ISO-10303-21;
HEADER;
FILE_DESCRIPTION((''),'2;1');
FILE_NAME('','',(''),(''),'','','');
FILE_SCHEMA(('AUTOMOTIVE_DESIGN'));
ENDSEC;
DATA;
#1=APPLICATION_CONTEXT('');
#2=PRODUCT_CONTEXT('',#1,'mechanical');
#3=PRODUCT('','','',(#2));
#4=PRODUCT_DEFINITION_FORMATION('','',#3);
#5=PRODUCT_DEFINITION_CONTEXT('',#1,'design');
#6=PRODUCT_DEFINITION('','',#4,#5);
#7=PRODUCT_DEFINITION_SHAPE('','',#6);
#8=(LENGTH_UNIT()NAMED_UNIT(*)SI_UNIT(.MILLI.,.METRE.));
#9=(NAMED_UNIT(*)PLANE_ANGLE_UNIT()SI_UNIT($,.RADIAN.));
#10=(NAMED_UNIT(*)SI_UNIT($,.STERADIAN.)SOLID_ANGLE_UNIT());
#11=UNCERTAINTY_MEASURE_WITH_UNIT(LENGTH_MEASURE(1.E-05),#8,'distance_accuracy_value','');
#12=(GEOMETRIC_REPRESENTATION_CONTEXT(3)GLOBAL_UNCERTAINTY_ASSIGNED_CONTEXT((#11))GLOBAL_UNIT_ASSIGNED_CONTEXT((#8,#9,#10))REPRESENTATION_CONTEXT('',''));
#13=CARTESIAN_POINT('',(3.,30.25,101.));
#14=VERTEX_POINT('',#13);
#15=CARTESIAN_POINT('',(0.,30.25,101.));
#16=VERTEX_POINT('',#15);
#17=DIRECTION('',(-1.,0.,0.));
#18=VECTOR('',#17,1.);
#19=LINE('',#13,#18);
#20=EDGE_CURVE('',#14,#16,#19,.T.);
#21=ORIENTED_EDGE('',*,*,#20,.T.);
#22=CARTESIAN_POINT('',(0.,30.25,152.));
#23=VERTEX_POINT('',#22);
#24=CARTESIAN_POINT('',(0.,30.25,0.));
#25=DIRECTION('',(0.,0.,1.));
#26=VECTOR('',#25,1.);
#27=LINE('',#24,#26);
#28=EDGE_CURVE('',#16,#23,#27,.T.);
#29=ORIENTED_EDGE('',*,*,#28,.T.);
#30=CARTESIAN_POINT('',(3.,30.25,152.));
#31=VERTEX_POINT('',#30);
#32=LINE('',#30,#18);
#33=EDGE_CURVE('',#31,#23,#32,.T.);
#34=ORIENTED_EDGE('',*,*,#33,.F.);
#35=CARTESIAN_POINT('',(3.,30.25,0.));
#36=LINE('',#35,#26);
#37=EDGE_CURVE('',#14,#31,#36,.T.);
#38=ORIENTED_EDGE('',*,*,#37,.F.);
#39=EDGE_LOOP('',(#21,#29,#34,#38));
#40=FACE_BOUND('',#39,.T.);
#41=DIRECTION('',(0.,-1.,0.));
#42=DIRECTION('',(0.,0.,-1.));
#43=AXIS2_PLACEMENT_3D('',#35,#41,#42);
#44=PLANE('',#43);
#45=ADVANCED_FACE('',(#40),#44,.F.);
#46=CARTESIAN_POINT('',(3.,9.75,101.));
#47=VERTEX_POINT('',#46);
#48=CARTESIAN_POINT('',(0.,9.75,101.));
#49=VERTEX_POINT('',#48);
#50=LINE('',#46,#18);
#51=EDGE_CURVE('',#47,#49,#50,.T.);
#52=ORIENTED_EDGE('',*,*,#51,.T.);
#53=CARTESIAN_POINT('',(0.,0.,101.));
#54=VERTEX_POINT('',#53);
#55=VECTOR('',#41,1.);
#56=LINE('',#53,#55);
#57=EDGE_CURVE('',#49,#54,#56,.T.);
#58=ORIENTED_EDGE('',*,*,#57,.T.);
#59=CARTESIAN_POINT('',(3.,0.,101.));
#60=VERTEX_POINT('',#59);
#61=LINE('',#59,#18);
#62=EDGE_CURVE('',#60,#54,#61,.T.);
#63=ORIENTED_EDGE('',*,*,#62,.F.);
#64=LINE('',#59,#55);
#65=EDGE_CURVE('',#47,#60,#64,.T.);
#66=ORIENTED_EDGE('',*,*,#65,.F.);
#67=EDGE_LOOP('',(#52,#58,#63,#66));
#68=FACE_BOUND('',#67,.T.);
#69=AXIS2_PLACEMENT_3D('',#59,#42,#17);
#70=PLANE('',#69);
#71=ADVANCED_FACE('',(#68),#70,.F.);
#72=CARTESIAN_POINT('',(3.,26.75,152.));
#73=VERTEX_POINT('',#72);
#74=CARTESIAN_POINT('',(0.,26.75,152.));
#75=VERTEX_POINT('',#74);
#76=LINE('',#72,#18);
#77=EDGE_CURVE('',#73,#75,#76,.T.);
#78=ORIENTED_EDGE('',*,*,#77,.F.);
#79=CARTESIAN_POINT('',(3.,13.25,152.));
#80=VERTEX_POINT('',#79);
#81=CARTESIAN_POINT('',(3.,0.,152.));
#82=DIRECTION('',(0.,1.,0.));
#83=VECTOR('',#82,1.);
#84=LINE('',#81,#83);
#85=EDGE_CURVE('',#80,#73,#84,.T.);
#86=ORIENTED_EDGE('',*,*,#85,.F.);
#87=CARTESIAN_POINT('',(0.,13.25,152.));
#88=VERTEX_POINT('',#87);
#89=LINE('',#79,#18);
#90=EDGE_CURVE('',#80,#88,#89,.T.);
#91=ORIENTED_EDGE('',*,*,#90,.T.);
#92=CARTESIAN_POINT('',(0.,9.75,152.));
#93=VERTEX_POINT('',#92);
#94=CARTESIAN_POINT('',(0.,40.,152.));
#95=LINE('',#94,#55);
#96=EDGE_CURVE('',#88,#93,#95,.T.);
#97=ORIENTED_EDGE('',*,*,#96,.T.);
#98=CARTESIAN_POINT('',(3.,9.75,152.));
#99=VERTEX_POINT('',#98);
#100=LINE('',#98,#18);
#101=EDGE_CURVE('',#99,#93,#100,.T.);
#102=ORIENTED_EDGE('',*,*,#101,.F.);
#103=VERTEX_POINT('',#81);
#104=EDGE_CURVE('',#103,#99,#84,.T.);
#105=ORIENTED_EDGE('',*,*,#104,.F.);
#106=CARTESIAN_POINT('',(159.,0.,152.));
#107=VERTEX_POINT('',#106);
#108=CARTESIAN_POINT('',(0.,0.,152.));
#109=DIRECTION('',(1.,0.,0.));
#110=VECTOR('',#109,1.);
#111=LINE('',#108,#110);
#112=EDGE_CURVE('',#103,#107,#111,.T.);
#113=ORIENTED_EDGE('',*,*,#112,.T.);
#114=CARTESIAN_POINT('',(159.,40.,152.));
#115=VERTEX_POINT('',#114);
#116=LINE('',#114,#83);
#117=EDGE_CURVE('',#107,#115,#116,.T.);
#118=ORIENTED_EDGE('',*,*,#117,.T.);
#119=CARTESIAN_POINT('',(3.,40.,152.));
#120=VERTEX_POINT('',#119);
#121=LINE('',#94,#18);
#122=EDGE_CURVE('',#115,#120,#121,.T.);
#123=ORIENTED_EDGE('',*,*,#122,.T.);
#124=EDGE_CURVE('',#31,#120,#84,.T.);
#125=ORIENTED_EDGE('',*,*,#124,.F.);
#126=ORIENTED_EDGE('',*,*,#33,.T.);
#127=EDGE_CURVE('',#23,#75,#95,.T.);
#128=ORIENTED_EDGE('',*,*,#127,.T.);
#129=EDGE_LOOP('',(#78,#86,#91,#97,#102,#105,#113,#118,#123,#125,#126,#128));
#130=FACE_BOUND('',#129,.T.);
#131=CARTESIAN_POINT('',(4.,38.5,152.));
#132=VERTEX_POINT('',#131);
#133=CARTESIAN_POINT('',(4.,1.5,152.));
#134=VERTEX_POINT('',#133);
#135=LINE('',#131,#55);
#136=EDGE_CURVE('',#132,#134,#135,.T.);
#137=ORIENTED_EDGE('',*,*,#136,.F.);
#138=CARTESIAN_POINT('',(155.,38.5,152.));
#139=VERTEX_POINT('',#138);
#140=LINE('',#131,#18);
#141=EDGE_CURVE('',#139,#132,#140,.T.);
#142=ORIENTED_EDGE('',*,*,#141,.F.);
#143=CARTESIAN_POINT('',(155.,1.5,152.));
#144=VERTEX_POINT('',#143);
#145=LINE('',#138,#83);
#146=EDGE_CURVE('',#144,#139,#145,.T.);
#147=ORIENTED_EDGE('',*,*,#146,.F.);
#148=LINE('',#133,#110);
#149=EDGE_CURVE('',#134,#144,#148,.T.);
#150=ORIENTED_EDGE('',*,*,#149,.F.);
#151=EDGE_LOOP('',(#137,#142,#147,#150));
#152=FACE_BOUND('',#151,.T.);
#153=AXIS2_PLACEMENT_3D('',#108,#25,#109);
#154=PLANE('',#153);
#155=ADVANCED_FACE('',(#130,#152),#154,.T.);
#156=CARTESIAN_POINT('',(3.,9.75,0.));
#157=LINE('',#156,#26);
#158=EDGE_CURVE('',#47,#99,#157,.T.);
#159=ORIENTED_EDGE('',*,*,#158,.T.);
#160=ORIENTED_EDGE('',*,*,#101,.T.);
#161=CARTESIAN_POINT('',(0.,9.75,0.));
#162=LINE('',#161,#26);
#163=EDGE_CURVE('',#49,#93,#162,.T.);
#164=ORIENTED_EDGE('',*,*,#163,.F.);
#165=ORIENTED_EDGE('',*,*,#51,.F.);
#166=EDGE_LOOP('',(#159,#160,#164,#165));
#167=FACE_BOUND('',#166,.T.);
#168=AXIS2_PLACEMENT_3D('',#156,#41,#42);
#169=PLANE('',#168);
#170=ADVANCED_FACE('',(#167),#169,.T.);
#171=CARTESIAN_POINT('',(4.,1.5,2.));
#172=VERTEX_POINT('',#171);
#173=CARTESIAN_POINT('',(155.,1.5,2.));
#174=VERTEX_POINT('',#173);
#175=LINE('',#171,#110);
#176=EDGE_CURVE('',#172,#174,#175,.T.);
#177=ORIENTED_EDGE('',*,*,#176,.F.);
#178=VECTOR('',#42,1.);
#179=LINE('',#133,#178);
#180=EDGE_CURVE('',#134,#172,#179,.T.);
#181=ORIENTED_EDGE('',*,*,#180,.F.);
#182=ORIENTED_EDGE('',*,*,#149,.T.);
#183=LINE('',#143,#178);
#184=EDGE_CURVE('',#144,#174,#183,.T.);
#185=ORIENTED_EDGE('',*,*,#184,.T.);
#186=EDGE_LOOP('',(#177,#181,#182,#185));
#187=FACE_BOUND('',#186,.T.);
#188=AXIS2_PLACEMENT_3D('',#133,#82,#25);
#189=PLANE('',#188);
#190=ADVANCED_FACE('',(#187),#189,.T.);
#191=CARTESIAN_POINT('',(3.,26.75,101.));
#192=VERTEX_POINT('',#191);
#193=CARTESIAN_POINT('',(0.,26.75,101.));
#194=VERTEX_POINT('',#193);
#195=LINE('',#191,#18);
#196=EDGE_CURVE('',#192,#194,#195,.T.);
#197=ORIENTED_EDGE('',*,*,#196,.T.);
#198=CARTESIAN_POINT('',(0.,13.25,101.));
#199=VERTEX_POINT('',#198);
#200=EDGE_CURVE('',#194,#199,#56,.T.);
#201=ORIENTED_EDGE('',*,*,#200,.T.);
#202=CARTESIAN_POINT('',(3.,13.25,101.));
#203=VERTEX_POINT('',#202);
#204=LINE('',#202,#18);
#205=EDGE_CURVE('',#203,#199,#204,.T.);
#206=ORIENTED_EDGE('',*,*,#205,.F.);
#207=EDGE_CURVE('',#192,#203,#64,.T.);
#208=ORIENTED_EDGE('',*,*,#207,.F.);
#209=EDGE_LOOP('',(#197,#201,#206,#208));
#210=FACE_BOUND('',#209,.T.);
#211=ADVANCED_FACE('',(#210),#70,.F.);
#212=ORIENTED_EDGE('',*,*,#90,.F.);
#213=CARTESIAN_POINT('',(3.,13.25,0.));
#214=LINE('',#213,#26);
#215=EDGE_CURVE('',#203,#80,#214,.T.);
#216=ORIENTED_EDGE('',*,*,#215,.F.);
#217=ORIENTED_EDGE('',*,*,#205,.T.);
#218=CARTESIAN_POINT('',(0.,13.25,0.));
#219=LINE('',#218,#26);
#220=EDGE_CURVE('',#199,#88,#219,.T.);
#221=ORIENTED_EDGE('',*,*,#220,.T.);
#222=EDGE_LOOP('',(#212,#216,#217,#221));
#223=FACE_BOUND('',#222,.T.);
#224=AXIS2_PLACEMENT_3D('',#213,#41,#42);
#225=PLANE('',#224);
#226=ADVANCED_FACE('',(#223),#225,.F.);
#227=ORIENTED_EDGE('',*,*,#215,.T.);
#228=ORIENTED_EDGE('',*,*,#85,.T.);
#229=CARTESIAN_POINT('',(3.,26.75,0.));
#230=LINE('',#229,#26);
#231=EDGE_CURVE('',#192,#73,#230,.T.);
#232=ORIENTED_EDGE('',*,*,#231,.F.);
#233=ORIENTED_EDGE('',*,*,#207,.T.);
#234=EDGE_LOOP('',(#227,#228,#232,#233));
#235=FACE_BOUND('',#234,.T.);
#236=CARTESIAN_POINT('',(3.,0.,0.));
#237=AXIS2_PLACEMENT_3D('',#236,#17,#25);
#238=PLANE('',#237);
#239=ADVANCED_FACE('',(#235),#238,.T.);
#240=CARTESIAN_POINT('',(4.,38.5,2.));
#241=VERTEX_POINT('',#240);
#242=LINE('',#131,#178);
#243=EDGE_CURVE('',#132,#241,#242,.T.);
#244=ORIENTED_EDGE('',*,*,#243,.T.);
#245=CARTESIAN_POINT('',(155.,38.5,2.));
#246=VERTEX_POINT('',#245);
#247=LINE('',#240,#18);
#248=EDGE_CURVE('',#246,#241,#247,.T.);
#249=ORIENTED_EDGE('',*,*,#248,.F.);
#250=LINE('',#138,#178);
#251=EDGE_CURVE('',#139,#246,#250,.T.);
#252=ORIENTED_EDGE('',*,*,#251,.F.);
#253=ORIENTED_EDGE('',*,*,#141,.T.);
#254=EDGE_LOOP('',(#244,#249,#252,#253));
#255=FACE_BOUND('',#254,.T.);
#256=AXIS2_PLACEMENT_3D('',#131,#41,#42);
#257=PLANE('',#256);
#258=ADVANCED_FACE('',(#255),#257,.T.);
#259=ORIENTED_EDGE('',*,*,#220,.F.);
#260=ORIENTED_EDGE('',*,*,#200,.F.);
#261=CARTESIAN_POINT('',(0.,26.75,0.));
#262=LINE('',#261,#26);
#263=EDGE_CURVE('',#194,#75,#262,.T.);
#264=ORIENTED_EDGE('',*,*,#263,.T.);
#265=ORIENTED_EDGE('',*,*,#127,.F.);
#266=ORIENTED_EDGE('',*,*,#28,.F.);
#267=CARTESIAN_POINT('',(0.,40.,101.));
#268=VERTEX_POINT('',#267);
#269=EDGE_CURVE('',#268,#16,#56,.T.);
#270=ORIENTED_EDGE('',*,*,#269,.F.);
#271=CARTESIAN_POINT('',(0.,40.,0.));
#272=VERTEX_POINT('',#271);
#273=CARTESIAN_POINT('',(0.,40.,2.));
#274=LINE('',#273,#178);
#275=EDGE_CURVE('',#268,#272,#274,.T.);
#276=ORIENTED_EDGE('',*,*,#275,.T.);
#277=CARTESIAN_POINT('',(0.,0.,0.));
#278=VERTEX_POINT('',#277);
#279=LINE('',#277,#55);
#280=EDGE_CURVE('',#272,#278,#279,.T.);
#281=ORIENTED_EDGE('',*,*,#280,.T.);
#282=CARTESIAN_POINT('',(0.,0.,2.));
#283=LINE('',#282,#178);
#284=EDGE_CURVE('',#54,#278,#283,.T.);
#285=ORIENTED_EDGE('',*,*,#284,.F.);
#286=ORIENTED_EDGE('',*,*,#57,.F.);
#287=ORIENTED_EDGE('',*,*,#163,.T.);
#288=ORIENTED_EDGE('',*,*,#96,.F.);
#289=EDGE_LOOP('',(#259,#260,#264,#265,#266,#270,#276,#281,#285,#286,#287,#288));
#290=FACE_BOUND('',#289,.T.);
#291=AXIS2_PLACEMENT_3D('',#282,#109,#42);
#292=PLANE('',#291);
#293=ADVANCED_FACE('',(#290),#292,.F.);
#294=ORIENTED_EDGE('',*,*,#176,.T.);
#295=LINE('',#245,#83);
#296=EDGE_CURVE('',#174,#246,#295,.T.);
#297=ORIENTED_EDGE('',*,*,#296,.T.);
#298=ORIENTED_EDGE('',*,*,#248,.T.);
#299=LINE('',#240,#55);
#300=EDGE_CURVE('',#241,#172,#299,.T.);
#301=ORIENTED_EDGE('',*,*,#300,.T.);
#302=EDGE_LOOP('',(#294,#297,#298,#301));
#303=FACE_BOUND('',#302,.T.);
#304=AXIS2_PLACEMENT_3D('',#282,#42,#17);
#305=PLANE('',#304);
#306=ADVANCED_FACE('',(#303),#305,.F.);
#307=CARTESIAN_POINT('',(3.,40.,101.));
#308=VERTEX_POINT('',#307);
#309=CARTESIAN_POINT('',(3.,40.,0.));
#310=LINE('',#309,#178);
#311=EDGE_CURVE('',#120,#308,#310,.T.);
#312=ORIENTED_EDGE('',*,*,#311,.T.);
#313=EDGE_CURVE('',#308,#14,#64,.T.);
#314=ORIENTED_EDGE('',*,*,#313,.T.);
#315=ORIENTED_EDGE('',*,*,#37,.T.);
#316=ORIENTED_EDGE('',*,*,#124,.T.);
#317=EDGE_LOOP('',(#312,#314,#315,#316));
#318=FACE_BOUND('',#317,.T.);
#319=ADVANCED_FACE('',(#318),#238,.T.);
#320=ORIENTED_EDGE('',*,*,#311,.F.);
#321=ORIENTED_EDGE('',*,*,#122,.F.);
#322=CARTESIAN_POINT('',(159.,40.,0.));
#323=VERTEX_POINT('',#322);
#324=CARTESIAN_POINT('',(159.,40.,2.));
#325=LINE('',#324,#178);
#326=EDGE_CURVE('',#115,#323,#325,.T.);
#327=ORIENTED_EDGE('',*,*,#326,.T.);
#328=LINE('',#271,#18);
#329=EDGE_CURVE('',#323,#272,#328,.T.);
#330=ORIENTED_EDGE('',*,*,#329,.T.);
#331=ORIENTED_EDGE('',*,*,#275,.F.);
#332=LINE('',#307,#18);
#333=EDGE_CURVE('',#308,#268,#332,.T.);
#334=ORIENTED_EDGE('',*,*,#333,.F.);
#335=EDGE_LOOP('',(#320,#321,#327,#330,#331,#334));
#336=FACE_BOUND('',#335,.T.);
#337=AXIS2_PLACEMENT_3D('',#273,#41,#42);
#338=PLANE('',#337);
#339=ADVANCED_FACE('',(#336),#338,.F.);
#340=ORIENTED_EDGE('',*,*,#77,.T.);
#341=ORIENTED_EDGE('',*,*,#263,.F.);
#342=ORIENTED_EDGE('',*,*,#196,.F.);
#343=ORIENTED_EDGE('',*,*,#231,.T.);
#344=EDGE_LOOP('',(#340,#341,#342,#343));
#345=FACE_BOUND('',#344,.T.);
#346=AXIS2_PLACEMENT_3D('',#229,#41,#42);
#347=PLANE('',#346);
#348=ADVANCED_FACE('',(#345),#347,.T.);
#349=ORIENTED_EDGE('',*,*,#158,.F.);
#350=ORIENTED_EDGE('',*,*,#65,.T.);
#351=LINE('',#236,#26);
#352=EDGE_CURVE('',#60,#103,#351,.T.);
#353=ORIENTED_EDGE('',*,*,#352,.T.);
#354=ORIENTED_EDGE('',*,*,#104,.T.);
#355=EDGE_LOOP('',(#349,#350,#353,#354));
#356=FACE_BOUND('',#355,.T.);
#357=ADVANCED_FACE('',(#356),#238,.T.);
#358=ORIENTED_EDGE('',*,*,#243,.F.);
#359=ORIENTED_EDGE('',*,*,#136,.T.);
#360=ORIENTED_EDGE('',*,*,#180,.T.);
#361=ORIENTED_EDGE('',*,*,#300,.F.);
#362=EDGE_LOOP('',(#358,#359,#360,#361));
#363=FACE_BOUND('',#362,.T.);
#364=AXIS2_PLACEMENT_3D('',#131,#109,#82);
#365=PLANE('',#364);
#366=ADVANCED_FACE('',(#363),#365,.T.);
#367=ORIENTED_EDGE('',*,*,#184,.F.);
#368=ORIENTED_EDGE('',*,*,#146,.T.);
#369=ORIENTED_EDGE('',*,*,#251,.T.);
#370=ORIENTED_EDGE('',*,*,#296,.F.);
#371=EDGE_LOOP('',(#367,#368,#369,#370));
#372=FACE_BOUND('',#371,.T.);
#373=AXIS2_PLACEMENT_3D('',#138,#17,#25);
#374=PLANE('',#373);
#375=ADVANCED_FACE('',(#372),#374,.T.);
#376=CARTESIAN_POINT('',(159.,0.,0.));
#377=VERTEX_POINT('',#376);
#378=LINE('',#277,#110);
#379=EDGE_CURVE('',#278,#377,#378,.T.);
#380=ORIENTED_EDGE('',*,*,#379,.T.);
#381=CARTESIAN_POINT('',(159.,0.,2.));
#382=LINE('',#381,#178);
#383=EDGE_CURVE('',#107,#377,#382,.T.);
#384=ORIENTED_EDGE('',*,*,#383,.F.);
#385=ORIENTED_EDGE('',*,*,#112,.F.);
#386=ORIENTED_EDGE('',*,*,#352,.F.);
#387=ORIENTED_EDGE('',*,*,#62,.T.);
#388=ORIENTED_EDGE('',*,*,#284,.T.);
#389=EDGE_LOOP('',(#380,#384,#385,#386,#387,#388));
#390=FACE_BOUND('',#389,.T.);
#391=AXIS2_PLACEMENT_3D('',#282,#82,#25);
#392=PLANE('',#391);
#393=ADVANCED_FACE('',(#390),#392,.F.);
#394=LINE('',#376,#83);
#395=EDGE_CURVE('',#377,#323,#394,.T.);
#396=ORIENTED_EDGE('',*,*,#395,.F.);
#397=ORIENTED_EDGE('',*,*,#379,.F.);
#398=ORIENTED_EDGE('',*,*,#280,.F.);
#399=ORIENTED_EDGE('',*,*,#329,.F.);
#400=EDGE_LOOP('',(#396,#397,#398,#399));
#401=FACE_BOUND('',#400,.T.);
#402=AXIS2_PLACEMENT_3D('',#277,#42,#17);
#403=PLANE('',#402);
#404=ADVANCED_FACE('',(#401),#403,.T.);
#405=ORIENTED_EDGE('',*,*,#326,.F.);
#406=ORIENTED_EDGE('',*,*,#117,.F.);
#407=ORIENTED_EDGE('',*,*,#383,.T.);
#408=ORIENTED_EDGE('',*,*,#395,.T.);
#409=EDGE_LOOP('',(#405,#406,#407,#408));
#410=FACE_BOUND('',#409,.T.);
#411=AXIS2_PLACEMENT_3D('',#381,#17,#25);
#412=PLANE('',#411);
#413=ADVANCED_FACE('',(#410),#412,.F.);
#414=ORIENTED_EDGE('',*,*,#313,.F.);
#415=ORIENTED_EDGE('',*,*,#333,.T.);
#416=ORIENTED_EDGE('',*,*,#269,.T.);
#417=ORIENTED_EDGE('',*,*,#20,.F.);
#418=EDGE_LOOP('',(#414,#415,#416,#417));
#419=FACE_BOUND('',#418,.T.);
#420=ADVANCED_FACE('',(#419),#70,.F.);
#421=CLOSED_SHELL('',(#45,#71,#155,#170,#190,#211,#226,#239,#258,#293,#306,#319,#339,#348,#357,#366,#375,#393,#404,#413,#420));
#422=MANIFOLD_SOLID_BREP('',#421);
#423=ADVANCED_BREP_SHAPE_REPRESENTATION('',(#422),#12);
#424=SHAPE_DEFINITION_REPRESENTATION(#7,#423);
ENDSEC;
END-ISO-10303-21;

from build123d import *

# Parameters (mm, degrees)
ESQUISSE1_W             = 159
ESQUISSE1_H             = 40
BOSS_EXTRU_1_DEPTH      = 2
ESQUISSE2_W             = 159
ESQUISSE2_H             = 40
ESQUISSE2_W_2           = 151
ESQUISSE2_H_2           = 37
BOSS_EXTRU_2_DEPTH      = 150
ESQUISSE3_W             = 51
ESQUISSE3_H             = 9.75
ESQUISSE3_H_2           = 13.5
ENL_V_MAT_EXTRU_1_DEPTH = 3


with BuildPart() as part:
    # Esquisse1 → Boss.-Extru.1 (new body)
    with BuildSketch(Plane.XY):
        with Locations((79.5, 20)):
            Rectangle(ESQUISSE1_W, ESQUISSE1_H)
    extrude(amount=BOSS_EXTRU_1_DEPTH)

    # Esquisse2 → Boss.-Extru.2 (add)
    with BuildSketch(Plane.XY.offset(2)):
        with Locations((79.5, 20)):
            Rectangle(ESQUISSE2_W, ESQUISSE2_H)
        with Locations((79.5, 20)):
            Rectangle(ESQUISSE2_W_2, ESQUISSE2_H_2, mode=Mode.SUBTRACT)
    extrude(amount=BOSS_EXTRU_2_DEPTH)

    # Esquisse3 → Enlèv. mat.-Extru.1 (cut)
    with BuildSketch(Plane.ZY):
        with Locations((126.5, 35.125)):
            Rectangle(ESQUISSE3_W, ESQUISSE3_H)
        with Locations((126.5, 20)):
            Rectangle(ESQUISSE3_W, ESQUISSE3_H_2)
        with Locations((126.5, 4.875)):
            Rectangle(ESQUISSE3_W, ESQUISSE3_H)
    extrude(amount=-ENL_V_MAT_EXTRU_1_DEPTH, mode=Mode.SUBTRACT)


solid = part.part
